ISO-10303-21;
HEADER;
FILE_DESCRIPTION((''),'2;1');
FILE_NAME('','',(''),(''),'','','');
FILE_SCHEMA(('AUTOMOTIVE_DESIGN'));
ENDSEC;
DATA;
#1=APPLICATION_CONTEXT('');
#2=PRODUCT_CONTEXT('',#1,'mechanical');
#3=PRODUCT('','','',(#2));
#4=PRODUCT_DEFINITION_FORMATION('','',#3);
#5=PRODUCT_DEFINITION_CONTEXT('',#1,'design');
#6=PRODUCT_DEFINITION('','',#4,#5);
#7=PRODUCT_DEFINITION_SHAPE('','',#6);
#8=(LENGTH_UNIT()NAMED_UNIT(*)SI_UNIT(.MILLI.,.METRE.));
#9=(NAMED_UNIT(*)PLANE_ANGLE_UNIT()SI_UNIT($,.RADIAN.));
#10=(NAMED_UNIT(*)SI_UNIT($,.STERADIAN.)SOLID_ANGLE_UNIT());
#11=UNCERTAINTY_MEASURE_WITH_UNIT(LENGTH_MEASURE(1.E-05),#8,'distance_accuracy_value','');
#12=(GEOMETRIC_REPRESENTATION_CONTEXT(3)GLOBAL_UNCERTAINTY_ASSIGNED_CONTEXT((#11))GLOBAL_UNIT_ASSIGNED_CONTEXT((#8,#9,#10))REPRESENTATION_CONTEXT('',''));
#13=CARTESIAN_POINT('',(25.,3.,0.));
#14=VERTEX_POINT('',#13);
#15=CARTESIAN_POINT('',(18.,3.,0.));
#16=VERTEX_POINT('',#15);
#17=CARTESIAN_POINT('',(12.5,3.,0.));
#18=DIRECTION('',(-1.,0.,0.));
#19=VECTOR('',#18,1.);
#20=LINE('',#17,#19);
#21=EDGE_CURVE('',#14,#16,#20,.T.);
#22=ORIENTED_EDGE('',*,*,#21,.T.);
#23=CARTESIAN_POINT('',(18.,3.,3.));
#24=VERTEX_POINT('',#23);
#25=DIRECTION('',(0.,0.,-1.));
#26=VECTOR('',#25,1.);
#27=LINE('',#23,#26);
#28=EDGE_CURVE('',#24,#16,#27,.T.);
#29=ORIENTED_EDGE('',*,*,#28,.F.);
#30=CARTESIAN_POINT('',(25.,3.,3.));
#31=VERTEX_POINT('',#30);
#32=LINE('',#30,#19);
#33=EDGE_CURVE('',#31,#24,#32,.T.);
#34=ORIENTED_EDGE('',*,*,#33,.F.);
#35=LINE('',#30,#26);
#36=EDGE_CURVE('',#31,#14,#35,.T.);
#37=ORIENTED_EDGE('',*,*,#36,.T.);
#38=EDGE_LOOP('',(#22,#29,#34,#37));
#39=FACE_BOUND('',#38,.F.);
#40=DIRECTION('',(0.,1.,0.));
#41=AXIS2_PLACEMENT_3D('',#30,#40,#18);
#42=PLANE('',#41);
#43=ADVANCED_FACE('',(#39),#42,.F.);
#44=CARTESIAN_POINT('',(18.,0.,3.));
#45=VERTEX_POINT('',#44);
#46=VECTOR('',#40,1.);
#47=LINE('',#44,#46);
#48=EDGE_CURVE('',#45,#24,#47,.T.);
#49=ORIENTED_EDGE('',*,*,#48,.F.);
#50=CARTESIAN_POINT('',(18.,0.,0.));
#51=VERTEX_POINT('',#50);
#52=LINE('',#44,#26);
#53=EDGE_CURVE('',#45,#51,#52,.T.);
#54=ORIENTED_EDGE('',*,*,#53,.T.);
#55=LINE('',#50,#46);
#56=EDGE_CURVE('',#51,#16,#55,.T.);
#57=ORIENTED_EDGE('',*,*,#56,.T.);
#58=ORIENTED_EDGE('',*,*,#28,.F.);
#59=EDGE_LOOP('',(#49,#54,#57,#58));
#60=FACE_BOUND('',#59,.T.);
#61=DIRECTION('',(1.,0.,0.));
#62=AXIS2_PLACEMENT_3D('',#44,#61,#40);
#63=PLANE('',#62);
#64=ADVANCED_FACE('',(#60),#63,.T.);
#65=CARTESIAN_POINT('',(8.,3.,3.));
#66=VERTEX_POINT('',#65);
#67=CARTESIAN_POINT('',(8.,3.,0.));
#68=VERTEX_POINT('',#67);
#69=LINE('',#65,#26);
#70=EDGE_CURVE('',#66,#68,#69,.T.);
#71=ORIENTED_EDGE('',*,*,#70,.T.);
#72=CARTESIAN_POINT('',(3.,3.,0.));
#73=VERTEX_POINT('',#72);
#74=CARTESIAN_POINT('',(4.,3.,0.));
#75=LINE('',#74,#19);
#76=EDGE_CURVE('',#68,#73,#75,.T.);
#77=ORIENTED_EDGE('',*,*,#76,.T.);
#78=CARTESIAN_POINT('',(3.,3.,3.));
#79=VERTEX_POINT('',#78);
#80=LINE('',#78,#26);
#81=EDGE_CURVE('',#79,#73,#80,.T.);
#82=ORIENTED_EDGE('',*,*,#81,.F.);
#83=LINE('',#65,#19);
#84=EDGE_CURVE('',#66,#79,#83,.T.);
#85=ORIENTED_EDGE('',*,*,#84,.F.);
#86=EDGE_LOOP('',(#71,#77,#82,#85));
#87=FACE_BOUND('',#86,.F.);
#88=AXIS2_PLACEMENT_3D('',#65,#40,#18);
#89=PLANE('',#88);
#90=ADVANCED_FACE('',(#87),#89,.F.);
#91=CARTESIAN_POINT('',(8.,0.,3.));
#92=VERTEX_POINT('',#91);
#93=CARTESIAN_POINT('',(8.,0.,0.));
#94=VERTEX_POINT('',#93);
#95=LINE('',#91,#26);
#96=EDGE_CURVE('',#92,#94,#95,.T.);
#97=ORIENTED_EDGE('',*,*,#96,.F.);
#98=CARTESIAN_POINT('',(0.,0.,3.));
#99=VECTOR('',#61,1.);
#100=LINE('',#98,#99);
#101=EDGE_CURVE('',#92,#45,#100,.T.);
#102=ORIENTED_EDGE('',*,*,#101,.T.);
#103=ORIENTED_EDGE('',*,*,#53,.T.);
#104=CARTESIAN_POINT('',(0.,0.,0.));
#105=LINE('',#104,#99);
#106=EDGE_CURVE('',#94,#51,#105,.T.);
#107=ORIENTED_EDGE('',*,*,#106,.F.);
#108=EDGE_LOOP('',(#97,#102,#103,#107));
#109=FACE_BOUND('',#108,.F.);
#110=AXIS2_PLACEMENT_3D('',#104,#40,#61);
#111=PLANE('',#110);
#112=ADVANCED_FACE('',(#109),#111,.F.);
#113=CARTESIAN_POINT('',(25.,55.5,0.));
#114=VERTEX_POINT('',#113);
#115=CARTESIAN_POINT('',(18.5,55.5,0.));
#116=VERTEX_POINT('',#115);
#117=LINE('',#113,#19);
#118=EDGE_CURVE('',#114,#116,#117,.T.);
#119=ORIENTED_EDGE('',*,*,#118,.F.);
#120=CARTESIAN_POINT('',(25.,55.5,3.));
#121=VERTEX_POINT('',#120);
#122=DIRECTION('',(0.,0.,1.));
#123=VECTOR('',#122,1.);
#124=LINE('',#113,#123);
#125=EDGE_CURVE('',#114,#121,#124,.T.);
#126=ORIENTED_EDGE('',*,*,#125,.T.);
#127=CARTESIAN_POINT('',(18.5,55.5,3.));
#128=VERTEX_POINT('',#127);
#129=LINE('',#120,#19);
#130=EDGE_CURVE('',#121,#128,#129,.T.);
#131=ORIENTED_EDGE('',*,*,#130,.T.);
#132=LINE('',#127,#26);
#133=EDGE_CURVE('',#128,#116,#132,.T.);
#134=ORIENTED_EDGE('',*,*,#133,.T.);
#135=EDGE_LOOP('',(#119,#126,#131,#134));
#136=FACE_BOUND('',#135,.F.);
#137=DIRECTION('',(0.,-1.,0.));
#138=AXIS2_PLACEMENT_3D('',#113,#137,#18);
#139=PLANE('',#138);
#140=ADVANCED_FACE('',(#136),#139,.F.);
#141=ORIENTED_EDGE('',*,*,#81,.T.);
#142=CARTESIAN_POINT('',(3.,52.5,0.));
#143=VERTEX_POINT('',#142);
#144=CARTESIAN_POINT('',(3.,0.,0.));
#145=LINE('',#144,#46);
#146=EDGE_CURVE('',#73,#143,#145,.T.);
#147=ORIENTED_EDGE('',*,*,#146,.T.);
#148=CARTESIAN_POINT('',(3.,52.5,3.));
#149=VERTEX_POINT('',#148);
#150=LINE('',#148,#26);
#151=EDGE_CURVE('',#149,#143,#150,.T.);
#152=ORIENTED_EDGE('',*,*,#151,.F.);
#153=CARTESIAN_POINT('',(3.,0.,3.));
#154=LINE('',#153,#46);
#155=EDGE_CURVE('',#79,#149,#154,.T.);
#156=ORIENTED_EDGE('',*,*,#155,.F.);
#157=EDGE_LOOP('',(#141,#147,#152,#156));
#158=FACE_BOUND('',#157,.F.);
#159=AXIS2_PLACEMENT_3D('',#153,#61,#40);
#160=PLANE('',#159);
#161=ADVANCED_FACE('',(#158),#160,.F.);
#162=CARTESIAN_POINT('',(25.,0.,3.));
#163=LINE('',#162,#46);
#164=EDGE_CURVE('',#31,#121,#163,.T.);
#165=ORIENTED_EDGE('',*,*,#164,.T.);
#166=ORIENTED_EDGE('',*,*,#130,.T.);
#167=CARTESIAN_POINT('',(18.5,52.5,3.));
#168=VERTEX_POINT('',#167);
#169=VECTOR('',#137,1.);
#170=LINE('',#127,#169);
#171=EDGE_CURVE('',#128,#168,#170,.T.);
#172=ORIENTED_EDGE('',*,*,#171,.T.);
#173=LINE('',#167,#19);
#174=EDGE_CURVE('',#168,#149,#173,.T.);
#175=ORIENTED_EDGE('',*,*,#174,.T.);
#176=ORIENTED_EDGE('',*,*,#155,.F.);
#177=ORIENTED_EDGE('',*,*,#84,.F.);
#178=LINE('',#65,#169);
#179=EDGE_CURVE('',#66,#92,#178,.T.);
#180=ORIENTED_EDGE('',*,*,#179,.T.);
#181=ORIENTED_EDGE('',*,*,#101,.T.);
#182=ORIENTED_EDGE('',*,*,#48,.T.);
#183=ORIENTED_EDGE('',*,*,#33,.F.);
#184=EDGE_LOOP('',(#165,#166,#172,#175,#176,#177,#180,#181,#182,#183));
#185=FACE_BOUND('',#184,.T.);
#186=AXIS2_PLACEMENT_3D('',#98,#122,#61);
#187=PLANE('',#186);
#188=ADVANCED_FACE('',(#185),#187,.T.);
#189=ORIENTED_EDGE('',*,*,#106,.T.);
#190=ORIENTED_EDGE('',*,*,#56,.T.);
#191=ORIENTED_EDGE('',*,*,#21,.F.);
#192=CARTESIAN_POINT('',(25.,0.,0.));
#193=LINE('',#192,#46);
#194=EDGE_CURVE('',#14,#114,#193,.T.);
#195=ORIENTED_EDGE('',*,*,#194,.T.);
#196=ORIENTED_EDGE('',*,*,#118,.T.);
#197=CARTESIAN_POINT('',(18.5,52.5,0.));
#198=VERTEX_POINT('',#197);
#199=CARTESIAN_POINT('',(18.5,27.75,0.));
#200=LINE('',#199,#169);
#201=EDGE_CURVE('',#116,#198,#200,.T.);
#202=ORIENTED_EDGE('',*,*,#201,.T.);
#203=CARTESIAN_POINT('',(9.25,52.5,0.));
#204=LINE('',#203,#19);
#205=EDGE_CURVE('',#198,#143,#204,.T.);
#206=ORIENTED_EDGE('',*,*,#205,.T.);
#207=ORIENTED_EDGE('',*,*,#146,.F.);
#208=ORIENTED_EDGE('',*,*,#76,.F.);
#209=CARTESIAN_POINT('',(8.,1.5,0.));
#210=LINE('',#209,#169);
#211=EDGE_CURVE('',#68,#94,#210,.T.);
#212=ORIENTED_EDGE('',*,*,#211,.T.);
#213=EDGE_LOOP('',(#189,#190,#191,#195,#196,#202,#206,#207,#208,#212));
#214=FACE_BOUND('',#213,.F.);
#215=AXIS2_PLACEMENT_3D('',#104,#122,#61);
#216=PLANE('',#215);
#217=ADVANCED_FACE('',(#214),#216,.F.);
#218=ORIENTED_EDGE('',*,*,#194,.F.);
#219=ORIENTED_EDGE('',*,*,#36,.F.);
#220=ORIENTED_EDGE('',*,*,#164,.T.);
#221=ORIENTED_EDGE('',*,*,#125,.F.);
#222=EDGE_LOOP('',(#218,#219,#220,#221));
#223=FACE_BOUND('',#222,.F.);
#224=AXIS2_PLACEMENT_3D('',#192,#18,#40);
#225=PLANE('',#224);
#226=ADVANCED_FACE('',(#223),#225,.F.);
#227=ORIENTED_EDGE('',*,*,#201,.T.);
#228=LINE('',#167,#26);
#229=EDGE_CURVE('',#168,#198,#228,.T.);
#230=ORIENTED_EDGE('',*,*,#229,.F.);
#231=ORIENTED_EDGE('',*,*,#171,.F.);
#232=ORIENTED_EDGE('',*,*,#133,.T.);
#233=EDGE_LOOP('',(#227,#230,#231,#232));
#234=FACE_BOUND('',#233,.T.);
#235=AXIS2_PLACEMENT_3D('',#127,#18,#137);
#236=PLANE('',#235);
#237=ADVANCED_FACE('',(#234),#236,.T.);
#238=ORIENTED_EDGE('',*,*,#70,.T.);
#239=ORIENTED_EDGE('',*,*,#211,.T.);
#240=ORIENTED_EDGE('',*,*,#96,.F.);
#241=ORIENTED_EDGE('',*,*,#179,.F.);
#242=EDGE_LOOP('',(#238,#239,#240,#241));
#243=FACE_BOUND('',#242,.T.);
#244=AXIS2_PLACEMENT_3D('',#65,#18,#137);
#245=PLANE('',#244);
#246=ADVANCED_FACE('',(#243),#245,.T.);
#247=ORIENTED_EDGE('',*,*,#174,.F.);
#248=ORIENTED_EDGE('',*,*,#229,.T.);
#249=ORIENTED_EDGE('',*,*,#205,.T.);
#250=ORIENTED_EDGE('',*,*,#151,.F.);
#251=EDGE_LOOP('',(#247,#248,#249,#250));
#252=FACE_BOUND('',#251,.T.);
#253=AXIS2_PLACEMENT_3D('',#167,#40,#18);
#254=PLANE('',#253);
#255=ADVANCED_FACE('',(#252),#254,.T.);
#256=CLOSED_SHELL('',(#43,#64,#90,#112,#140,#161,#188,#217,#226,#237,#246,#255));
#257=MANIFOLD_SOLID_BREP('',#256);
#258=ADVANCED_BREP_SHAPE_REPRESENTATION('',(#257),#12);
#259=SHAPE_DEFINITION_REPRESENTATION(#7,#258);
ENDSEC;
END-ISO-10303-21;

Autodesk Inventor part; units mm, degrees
ref_plane "YZ Plane" through (0, 0, 0) normal (1, 0, 0) x (0, 1, 0)
ref_plane "XZ Plane" through (0, 0, 0) normal (0, 1, 0) x (-1, 0, 0)
ref_plane "XY Plane" through (0, 0, 0) normal (0, 0, 1) x (1, 0, 0)
sketch "Sketch1" plane through (0, 0, 0) normal (0, 0, 1) x (1, 0, 0)
  line L0 (0, 0) -> (25, 0)
  line L1 (25, 0) -> (25, 55.5)
  line L2 (25, 55.5) -> (0, 55.5)
  line L3 (0, 55.5) -> (0, 0)
  dimension "d0" = 25
  dimension "d1" = 55.5
extrude "Extrusion1" add sketch "Sketch1" along normal blind 3
sketch "Sketch2" plane through (0, 0, 3) normal (0, 0, 1) x (1, 0, 0)
  line L0 (0, 55.5) -> (0, 0) projected
  line L1 (25, 55.5) -> (0, 55.5) projected
  line L2 (0, 0) -> (3, 0)
  line L3 (3, 0) -> (3, 55.5)
  line L4 (3, 55.5) -> (0, 55.5)
  line L5 (0, 55.5) -> (0, 0)
  dimension "d4" = 3
extrude "Extrusion2" cut sketch "Sketch2" against normal through all
sketch "Sketch3" plane through (0, 0, 3) normal (0, 0, 1) x (1, 0, 0)
  point P0 (0, 0)
sketch "Sketch4" plane through (0, 0, 3) normal (0, 0, 1) x (1, 0, 0)
  line L0 (25, 55.5) -> (3, 55.5) projected
  line L1 (3, 55.5) -> (18.5, 55.5)
  line L2 (18.5, 55.5) -> (18.5, 22.5)
  line L3 (18.5, 22.5) -> (3, 22.5)
  line L4 (3, 22.5) -> (3, 55.5)
  point P0 (0, 0)
  dimension "d7" = 15.5
  dimension "d8" = 33
sketch "Sketch5" plane through (0, 0, 3) normal (0, 0, 1) x (1, 0, 0)
  line L0 (3, 0) -> (25, 0) projected
  line L1 (8, 0) -> (18, 0)
  line L2 (18, 0) -> (18, 3)
  line L3 (18, 3) -> (8, 3)
  line L4 (8, 3) -> (8, 0)
  line L5 (3, 55.5) -> (3, 0) projected
  line L6 (3, 0) -> (8, 0)
  line L7 (8, 0) -> (8, 3)
  line L8 (8, 3) -> (3, 3)
  line L9 (3, 3) -> (3, 0)
  line L10 (18, 0) -> (25, 0)
  line L11 (25, 0) -> (25, 3)
  line L12 (25, 3) -> (18, 3)
  line L13 (18, 3) -> (18, 0)
  point P0 (0, 0)
  point P1 (3, 22.5)
  dimension "d11" = 10
  dimension "d12" = 3
  dimension "d13" = 5
extrude "Extrusion4" cut sketch "Sketch5" against normal through all contours L5 L8 L4 L0 | L2 L12 L11 L0
sketch "Sketch6" plane through (0, 0, 3) normal (0, 0, 1) x (1, 0, 0)
  line L0 (25, 55.5) -> (3, 55.5) projected
  line L1 (3, 55.5) -> (18.5, 55.5)
  line L2 (18.5, 55.5) -> (18.5, 52.5)
  line L3 (18.5, 52.5) -> (3, 52.5)
  line L4 (3, 52.5) -> (3, 55.5)
  line L5 (18.5, 55.5) -> (18.5, 22.5) projected
  point P0 (0, 0)
  dimension "d16" = 3
extrude "Extrusion5" cut sketch "Sketch6" against normal through all
properties part number "hollow_mount"
